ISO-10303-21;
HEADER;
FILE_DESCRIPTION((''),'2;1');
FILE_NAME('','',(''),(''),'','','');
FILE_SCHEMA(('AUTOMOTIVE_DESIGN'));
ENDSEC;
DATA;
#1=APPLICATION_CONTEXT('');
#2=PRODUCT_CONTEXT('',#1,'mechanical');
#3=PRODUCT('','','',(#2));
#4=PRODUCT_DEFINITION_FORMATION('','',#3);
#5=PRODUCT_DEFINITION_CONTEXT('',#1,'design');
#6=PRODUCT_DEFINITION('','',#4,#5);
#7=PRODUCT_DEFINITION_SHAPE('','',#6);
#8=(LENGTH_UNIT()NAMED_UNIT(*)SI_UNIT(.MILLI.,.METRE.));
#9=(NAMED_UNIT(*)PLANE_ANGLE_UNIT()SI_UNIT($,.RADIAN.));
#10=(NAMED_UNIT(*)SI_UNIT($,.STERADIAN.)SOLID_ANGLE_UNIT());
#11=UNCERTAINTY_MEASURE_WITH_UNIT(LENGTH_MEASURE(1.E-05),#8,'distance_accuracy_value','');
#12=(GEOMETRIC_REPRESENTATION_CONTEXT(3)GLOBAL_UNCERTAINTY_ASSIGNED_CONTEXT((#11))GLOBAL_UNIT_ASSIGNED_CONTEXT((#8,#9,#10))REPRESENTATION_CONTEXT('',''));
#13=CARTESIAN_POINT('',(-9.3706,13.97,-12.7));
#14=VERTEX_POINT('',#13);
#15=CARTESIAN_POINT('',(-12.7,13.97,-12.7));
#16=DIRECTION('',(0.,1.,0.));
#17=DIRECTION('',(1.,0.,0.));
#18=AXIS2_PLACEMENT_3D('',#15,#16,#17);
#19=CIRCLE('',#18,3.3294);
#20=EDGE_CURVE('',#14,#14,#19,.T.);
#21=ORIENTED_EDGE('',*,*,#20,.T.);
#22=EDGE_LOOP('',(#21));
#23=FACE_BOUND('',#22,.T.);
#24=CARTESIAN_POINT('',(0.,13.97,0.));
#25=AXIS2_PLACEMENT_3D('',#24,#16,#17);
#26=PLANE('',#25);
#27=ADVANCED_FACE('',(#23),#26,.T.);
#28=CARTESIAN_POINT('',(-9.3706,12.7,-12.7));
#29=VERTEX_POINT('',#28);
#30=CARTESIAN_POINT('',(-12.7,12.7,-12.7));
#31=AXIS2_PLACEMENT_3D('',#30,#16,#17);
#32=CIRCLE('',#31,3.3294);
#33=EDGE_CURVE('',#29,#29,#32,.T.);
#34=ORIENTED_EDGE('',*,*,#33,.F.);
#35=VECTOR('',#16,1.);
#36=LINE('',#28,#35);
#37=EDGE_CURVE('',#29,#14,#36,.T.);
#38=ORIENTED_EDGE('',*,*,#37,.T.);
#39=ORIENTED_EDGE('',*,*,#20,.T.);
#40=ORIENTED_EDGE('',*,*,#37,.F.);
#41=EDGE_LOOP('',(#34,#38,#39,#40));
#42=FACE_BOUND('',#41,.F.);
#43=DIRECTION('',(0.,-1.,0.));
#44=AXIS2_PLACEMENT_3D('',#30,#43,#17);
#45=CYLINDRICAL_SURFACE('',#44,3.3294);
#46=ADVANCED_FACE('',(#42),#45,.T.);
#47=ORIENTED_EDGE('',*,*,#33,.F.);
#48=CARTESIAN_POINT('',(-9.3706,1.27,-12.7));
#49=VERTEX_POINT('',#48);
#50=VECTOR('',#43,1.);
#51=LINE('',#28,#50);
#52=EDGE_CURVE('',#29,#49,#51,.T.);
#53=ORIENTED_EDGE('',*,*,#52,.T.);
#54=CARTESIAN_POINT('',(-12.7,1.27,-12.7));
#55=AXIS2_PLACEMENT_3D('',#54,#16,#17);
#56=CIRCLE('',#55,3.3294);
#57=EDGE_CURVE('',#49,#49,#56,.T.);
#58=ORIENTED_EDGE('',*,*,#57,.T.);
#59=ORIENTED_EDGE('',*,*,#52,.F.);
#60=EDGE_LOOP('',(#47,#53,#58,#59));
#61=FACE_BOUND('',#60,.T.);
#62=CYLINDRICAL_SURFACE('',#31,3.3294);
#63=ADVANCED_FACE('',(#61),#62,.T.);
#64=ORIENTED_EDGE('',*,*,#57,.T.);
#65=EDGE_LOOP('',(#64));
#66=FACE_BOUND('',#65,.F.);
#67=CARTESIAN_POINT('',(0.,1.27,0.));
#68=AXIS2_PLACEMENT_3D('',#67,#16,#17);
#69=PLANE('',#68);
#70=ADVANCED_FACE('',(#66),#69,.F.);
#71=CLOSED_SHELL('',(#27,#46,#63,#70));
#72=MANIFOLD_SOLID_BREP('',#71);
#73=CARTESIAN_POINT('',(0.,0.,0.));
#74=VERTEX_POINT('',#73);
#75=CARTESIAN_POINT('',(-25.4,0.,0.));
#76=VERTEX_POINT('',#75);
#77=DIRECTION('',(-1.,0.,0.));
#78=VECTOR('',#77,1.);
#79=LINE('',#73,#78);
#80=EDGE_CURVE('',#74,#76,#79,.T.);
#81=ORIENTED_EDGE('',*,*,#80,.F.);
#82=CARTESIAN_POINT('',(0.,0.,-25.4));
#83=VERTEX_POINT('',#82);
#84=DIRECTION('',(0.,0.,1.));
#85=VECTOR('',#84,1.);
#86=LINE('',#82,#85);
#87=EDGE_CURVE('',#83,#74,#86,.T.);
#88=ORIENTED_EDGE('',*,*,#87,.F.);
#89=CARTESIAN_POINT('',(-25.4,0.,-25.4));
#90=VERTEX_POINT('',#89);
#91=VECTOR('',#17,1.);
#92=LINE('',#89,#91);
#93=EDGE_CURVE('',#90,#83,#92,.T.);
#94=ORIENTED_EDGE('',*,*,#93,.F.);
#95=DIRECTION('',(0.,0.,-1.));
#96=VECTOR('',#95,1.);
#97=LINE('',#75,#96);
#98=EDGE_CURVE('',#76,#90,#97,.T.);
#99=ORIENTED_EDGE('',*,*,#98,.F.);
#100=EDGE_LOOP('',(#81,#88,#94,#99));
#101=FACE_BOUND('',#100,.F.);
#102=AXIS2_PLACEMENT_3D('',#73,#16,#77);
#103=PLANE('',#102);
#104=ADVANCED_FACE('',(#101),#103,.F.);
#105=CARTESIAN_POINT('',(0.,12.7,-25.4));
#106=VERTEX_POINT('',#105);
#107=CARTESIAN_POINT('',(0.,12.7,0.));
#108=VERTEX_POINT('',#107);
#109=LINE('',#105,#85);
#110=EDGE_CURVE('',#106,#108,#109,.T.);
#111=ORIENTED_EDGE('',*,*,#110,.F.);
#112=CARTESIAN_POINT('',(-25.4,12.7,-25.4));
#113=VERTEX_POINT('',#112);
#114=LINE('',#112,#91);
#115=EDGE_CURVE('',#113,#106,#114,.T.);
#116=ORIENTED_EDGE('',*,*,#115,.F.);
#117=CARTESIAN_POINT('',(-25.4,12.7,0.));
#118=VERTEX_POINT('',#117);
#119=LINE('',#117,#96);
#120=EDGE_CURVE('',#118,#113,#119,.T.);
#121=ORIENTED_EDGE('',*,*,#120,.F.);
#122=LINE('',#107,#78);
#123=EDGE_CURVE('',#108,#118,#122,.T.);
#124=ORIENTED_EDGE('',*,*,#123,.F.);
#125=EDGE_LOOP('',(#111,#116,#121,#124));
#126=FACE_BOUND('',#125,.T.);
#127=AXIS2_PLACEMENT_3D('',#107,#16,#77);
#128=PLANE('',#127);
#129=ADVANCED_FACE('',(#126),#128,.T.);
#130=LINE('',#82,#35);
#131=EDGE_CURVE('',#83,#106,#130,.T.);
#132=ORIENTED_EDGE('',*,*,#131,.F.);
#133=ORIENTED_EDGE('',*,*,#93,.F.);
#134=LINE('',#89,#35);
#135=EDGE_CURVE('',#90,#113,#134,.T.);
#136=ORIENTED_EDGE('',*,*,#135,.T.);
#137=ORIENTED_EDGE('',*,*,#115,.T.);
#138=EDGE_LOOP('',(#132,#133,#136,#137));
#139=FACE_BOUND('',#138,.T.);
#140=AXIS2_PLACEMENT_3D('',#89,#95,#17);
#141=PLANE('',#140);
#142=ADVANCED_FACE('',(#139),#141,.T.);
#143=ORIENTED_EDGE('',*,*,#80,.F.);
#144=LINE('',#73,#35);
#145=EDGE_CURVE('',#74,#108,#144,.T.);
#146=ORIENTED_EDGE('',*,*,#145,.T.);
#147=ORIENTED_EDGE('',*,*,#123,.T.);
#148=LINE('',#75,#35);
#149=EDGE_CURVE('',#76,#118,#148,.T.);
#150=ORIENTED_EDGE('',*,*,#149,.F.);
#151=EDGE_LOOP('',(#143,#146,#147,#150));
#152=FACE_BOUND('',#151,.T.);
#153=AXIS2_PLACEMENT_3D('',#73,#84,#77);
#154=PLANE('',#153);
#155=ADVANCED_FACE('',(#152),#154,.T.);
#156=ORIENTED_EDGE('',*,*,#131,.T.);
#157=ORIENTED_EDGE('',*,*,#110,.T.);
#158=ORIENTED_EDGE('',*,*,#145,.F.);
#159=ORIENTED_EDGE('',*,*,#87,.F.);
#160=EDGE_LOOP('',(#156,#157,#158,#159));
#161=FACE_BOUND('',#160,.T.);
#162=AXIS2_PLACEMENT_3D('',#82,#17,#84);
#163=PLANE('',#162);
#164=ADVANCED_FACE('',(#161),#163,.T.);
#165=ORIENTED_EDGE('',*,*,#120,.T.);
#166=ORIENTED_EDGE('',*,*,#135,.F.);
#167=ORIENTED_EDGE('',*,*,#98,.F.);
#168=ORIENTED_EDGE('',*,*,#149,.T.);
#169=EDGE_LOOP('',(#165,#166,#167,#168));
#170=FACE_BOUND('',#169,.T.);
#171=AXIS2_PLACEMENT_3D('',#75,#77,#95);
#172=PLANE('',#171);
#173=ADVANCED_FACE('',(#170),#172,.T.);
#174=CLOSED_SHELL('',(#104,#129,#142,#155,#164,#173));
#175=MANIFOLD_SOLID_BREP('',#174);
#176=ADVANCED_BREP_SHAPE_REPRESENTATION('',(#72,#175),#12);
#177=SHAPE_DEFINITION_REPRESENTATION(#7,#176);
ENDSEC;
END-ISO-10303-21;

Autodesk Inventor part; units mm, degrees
ref_plane "YZ Plane" through (0, 0, 0) normal (1, 0, 0) x (0, 1, 0)
ref_plane "XZ Plane" through (0, 0, 0) normal (0, 1, 0) x (-1, 0, 0)
ref_plane "XY Plane" through (0, 0, 0) normal (0, 0, 1) x (1, 0, 0)
sketch "Sketch1" plane through (0, 0, 0) normal (0, 1, 0) x (-1, 0, 0)
  line L0 (0, 0) -> (25.4, 0)
  line L1 (25.4, 0) -> (25.4, -25.4)
  line L2 (25.4, -25.4) -> (0, -25.4)
  line L3 (0, -25.4) -> (0, 0)
  dimension "d0" = 25.4
  dimension "d1" = 25.4
extrude "Extrusion1" add sketch "Sketch1" along normal blind 12.7
sketch "Sketch2" plane through (0, 12.7, 0) normal (0, 1, 0) x (1, 0, 0)
  circle A0 centre (-12.7, 12.7) radius 3.3294
extrude "Extrusion2" add sketch "Sketch2" along normal blind 1.27 and the other way blind 11.43 separate body
properties part number "Remnant"
